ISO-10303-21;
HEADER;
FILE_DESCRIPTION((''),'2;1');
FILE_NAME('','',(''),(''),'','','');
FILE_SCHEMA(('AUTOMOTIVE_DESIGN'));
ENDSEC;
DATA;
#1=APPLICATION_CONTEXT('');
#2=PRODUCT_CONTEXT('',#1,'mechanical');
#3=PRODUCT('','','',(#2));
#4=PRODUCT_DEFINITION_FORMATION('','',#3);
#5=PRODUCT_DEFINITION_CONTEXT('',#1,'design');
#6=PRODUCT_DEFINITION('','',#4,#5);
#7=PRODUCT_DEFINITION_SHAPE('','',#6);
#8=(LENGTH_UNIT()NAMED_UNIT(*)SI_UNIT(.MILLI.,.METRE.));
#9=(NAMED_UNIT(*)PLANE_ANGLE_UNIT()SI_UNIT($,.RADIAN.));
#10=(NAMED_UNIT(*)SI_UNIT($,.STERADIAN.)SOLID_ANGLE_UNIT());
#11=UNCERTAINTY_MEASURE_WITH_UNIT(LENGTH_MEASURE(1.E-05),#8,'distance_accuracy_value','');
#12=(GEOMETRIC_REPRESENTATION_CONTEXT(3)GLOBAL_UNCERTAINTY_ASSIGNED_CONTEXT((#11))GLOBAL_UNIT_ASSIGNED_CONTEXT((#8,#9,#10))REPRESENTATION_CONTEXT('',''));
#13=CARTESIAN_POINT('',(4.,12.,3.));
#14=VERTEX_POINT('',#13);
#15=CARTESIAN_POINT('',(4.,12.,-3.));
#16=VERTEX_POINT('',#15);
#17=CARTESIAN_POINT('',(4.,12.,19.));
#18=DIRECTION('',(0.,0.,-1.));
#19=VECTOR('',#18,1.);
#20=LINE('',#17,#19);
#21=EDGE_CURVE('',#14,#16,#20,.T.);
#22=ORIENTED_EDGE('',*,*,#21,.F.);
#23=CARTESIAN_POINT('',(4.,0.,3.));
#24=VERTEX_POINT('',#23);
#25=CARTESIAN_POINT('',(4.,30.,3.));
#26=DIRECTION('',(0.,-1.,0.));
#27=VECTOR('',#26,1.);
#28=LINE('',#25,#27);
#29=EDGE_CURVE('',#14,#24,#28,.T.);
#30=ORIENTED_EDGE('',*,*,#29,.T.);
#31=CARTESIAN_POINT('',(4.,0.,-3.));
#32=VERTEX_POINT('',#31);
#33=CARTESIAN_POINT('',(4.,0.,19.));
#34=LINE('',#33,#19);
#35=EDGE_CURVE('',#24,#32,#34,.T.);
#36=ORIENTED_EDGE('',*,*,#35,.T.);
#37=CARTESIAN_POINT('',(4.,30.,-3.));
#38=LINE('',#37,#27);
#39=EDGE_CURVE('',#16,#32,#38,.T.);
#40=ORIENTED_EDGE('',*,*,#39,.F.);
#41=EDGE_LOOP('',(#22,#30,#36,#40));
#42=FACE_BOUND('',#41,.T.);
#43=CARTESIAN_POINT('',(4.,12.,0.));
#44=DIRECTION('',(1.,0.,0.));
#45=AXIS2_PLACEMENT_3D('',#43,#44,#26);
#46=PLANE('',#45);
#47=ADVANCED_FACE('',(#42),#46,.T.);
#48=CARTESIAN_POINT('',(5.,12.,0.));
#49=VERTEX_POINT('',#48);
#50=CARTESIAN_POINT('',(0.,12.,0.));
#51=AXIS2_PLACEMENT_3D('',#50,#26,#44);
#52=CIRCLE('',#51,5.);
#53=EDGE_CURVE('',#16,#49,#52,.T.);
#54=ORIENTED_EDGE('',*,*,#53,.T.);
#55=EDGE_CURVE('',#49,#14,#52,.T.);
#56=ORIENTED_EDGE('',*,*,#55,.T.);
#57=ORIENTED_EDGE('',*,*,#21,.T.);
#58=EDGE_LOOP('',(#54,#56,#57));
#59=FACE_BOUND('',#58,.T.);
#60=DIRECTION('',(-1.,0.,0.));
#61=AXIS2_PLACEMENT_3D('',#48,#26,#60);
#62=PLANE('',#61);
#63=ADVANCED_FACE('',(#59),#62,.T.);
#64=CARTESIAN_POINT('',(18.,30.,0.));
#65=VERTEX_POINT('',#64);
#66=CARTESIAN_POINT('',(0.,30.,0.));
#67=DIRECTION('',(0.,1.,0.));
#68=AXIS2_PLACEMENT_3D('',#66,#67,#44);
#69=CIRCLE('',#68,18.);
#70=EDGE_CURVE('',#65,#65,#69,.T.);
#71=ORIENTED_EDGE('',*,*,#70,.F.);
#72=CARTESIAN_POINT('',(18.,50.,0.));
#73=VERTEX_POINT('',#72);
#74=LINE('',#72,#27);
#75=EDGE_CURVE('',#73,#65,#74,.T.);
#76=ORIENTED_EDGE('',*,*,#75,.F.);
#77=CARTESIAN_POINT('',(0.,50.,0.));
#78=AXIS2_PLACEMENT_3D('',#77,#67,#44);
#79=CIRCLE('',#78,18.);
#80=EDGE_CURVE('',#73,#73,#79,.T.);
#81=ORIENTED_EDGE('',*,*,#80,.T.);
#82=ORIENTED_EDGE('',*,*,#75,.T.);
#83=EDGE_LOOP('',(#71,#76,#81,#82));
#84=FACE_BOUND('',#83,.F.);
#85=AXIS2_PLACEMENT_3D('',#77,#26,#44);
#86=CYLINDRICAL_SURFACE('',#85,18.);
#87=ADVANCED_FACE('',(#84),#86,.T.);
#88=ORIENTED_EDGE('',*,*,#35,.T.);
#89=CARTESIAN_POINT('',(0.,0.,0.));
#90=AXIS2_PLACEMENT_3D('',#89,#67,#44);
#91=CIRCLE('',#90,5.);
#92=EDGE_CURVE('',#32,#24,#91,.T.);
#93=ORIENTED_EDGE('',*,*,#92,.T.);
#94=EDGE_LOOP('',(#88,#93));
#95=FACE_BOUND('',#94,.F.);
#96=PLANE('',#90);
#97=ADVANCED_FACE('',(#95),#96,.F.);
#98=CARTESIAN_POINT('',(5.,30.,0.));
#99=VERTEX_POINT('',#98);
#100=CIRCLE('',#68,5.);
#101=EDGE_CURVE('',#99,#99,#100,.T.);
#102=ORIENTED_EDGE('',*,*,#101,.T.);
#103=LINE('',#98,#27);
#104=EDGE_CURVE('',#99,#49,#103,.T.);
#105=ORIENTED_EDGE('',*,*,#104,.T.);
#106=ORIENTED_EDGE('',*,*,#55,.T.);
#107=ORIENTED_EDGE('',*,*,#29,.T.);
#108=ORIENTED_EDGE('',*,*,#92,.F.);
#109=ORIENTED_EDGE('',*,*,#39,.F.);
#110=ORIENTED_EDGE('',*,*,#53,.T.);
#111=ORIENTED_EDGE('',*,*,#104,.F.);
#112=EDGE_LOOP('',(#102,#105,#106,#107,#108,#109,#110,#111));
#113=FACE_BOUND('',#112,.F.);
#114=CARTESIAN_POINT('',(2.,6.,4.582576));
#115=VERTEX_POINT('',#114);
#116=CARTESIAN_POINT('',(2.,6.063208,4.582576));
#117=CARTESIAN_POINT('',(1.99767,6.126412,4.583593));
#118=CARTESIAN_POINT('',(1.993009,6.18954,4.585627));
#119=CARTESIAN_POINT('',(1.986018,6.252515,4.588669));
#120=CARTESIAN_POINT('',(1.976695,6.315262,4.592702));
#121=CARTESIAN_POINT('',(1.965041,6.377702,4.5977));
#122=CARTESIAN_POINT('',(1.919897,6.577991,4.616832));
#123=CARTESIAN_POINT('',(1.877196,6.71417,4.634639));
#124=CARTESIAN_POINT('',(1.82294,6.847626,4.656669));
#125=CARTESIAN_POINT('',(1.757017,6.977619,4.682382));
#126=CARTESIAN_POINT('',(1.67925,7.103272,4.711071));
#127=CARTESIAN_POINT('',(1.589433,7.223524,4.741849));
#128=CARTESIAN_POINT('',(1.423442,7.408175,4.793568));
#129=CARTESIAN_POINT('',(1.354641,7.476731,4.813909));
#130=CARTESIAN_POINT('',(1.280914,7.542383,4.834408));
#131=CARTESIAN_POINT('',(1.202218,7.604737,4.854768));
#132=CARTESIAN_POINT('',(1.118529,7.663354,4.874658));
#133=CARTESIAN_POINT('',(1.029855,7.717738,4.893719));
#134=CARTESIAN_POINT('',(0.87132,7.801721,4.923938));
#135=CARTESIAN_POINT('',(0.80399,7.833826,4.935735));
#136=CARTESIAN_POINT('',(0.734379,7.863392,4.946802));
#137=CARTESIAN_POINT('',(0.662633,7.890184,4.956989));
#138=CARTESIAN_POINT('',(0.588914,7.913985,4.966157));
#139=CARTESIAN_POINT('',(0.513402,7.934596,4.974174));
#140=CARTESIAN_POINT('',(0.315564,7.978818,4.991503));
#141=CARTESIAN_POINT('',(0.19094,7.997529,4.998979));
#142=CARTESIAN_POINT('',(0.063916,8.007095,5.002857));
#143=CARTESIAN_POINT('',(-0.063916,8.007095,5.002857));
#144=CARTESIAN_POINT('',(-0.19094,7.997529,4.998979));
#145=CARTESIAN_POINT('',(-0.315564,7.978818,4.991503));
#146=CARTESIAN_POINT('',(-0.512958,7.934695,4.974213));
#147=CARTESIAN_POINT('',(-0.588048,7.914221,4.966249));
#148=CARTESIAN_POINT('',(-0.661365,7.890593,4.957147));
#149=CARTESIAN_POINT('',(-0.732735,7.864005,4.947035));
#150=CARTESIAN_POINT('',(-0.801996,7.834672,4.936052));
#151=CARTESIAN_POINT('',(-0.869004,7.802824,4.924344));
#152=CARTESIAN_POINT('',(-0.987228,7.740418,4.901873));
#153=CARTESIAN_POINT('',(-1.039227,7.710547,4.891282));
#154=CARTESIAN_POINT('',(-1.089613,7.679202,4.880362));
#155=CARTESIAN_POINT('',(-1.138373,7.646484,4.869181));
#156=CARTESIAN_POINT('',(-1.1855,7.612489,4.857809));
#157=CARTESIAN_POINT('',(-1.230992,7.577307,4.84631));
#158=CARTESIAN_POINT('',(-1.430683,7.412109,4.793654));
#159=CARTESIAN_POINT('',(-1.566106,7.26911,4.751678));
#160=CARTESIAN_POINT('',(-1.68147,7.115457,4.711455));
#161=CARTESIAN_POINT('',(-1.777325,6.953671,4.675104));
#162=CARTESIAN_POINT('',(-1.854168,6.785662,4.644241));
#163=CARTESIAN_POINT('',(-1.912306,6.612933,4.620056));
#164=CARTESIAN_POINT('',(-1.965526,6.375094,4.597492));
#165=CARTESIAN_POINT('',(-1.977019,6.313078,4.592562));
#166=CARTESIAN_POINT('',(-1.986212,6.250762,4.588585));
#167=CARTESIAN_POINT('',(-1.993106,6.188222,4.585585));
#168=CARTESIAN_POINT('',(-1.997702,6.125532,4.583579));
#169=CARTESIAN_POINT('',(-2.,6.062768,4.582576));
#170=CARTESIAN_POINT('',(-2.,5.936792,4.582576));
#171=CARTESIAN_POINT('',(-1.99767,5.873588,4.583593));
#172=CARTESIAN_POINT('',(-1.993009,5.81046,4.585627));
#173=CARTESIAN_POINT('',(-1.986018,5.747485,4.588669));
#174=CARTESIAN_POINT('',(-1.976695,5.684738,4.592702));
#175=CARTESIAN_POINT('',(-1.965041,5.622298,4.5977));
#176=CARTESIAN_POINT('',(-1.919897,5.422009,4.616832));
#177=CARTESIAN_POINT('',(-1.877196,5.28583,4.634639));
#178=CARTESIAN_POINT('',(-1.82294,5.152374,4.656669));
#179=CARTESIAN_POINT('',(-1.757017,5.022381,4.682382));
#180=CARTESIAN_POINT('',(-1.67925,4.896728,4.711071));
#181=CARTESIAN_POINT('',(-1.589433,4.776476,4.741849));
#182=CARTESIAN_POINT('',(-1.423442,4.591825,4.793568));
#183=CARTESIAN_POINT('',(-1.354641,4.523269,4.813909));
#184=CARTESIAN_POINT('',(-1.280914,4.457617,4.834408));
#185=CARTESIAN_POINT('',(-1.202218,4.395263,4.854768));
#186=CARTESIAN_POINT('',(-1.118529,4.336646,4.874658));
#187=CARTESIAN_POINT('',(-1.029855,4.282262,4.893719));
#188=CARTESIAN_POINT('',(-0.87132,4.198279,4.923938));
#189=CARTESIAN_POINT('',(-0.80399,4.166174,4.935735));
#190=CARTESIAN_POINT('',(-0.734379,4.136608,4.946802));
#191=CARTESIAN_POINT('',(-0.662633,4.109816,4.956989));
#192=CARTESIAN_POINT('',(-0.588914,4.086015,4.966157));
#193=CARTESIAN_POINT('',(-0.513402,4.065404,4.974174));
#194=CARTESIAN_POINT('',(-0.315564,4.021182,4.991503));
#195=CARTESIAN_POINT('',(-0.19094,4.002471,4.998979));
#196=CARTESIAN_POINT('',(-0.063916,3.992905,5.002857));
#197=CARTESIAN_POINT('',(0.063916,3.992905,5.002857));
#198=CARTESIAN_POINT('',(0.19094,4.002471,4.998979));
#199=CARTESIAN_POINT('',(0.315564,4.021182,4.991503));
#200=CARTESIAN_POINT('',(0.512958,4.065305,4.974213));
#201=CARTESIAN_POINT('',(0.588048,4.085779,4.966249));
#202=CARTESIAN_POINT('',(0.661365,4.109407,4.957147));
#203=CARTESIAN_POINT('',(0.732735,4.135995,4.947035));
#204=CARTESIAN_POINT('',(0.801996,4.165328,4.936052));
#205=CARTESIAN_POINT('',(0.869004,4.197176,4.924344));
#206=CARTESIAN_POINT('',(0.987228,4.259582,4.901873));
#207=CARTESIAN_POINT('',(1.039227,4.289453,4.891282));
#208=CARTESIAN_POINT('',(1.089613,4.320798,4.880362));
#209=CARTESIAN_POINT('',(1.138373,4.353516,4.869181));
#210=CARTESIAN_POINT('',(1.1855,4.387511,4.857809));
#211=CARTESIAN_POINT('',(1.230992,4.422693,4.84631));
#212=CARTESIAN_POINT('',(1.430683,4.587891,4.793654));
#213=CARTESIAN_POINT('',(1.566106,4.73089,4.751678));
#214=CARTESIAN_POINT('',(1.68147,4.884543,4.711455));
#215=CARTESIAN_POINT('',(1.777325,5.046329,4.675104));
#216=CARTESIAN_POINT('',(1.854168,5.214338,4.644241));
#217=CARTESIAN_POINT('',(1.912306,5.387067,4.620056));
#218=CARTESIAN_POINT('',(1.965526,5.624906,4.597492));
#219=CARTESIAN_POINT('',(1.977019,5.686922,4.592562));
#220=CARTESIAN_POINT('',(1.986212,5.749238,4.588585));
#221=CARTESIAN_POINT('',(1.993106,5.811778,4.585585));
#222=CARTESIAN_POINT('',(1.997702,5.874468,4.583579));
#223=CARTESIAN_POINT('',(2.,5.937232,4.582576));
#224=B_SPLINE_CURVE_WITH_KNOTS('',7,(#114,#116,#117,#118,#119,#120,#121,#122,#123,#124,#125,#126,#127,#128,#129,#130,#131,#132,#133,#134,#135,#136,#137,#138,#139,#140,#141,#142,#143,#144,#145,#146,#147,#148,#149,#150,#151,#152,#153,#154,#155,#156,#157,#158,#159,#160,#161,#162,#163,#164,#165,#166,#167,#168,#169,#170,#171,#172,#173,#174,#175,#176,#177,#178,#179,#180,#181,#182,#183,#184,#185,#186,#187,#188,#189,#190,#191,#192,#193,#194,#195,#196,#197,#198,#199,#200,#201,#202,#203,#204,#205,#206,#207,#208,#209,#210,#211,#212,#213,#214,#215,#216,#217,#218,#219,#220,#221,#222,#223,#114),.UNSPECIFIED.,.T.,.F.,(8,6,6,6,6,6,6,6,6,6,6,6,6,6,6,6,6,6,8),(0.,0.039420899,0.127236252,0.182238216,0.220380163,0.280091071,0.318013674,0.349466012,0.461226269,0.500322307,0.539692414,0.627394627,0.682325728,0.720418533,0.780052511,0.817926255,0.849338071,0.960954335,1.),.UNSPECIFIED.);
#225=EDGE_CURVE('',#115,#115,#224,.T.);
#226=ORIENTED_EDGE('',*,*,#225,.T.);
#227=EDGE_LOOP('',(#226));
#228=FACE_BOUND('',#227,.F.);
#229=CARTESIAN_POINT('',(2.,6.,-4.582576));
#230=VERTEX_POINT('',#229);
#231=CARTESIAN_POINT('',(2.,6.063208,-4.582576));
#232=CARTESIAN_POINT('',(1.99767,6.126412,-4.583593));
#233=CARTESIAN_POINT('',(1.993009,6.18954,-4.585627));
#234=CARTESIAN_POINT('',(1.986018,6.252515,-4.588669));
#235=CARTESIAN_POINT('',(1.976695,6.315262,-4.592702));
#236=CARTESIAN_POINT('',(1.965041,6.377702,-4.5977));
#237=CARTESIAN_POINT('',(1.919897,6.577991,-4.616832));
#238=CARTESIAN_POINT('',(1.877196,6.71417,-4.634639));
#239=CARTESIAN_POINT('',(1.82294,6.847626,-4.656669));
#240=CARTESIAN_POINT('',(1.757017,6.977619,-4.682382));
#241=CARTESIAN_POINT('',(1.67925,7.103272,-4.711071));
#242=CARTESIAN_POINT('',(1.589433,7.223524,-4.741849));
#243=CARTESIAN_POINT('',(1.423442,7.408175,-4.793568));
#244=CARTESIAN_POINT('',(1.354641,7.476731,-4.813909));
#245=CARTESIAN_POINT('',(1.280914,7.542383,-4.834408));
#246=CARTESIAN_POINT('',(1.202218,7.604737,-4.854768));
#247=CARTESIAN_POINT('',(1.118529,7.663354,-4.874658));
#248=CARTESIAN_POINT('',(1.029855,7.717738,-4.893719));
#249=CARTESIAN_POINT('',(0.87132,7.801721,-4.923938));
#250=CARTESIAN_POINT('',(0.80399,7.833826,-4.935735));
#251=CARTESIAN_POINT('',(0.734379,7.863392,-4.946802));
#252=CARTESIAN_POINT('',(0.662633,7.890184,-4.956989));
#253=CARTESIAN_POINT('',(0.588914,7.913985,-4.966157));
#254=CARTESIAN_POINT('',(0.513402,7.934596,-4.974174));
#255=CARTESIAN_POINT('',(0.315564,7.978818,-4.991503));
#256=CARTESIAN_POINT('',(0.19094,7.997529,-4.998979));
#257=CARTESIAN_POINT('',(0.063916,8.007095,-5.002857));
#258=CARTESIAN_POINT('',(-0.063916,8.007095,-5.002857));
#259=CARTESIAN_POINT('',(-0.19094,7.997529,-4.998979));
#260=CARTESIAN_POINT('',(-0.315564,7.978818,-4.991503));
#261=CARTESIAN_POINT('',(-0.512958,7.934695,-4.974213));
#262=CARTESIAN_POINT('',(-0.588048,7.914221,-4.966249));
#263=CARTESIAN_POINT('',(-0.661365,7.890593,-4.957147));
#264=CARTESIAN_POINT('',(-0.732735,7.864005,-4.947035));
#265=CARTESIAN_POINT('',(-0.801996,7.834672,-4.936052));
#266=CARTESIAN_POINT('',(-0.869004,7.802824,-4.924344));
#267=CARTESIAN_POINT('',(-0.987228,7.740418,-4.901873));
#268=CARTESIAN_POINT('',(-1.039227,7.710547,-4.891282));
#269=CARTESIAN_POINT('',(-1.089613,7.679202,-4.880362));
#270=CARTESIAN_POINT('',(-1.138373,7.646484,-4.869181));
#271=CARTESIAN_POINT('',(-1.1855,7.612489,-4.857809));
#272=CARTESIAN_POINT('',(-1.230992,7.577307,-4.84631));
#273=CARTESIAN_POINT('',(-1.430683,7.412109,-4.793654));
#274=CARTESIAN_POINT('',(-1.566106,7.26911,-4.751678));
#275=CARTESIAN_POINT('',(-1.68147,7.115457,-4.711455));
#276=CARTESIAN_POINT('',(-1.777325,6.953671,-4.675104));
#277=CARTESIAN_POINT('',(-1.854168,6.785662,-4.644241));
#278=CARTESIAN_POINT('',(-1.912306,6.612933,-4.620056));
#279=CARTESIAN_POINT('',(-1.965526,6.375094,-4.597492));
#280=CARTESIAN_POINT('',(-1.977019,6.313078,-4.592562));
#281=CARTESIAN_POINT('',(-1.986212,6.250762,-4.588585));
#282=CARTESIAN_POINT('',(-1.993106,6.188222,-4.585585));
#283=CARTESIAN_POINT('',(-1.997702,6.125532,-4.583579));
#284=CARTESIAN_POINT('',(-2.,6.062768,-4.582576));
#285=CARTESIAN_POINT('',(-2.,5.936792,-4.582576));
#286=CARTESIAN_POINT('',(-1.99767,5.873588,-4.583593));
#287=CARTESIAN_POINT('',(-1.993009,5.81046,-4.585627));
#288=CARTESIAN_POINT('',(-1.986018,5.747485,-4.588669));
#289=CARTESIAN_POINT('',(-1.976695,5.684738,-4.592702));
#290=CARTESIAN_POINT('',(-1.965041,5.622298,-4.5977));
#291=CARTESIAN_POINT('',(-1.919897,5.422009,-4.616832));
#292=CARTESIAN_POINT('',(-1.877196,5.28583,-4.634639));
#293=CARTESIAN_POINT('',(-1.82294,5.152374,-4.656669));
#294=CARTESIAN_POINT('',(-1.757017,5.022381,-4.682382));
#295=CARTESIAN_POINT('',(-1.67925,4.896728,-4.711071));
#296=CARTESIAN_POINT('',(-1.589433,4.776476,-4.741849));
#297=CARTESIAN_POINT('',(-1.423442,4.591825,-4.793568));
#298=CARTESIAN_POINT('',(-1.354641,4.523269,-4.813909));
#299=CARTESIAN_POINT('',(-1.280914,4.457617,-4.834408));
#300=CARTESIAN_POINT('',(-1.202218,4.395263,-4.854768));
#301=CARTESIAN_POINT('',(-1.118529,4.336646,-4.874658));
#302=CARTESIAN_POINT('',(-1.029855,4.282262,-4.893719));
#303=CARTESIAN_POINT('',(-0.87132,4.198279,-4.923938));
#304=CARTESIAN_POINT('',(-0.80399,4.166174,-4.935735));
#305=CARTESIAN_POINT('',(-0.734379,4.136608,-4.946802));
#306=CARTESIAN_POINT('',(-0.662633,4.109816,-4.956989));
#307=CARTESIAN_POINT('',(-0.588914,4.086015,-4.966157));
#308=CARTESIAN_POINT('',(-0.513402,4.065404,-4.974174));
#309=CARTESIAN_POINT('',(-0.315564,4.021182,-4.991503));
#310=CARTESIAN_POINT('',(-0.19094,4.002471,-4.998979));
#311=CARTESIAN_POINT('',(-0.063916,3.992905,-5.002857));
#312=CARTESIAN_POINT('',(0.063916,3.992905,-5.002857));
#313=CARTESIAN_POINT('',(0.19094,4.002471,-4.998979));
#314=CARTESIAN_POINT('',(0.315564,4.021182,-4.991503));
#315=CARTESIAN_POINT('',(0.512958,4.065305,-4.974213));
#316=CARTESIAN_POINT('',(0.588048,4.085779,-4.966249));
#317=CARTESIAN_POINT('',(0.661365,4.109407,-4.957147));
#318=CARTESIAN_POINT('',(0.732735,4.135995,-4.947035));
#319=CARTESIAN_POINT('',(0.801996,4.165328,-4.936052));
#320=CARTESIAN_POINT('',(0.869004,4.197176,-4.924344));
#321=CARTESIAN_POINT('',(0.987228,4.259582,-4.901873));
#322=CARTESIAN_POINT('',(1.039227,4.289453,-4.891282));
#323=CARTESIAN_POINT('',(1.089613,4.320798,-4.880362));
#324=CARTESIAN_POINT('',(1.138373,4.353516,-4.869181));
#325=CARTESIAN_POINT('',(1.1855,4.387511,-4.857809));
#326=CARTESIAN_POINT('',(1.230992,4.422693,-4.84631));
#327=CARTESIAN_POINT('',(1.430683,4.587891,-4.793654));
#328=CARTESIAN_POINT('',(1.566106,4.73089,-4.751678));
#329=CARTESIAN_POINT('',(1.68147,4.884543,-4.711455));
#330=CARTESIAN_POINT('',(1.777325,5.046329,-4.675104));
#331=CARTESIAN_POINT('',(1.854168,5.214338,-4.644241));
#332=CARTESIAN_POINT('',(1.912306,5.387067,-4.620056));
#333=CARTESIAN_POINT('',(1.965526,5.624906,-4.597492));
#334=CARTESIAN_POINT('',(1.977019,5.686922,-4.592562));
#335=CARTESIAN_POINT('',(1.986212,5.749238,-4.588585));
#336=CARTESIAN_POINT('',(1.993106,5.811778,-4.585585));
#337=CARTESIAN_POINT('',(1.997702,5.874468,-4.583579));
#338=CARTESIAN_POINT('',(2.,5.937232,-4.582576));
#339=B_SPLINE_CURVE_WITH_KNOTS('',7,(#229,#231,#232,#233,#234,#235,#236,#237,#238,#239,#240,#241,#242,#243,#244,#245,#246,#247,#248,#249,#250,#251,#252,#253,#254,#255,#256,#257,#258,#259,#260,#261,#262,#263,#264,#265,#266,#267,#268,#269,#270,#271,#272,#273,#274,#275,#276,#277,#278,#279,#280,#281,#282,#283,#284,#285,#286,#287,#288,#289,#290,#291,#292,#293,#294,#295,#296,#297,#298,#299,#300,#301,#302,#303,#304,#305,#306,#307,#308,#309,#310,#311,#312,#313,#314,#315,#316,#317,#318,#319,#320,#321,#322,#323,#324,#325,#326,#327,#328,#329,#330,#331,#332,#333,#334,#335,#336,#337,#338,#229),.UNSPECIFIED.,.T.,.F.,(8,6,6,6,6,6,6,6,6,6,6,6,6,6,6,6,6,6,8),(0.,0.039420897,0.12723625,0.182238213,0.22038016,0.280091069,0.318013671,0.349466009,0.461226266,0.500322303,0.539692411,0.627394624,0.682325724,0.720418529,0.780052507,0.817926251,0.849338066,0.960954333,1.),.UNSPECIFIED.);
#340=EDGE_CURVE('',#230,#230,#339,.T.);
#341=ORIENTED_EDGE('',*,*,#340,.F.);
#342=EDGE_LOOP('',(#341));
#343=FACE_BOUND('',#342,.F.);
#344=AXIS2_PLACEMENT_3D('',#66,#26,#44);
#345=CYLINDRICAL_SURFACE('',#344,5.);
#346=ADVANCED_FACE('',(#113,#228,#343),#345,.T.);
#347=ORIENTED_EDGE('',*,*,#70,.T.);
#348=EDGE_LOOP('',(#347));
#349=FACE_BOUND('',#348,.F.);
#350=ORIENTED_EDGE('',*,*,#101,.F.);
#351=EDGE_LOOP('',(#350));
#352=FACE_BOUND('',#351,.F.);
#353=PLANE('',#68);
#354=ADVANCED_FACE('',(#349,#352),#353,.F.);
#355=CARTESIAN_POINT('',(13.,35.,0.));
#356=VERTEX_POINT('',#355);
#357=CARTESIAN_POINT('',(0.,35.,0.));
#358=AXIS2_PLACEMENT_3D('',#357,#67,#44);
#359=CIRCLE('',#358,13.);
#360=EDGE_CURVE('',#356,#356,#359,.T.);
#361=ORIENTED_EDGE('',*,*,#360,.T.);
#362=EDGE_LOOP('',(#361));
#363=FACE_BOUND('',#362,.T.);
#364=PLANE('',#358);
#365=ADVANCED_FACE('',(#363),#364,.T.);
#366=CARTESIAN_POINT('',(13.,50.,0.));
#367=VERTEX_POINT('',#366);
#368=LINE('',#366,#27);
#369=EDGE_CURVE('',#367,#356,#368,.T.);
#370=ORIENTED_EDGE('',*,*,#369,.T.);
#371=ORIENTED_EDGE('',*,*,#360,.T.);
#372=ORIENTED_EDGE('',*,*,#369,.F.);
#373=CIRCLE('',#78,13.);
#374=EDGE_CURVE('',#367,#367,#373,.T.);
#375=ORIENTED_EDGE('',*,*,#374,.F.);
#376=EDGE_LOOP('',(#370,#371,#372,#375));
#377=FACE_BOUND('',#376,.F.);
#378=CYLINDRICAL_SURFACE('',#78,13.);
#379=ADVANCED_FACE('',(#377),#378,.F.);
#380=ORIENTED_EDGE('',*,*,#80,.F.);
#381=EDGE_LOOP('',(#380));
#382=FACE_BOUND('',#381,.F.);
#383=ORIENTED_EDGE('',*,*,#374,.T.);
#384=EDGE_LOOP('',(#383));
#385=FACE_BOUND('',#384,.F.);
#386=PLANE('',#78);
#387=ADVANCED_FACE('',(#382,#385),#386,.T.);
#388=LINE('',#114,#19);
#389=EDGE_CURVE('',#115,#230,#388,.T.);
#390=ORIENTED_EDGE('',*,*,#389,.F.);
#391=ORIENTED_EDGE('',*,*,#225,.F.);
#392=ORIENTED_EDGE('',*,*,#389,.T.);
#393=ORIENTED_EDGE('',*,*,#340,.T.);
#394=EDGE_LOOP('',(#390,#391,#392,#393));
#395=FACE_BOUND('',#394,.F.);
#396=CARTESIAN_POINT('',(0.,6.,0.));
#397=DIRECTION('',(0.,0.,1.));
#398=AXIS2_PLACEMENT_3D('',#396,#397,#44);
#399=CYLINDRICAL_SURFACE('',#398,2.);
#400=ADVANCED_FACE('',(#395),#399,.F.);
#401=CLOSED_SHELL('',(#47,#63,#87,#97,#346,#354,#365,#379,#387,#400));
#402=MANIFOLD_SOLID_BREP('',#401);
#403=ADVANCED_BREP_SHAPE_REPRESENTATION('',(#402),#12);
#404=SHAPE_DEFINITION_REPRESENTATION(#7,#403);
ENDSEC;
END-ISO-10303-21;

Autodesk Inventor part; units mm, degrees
ref_plane "YZ Plane" through (0, 0, 0) normal (1, 0, 0) x (0, 1, 0)
ref_plane "XZ Plane" through (0, 0, 0) normal (0, 1, 0) x (-1, 0, 0)
ref_plane "XY Plane" through (0, 0, 0) normal (0, 0, 1) x (1, 0, 0)
sketch "Sketch1" plane through (0, 0, 0) normal (0, 0, 1) x (1, 0, 0)
  line L0 (0, 0) -> (0, 50)
  line L1 (0, 50) -> (18, 50)
  line L2 (18, 50) -> (18, 30)
  line L3 (18, 30) -> (5, 30)
  line L4 (5, 30) -> (5, 0)
  line L5 (5, 0) -> (0, 0)
  dimension "d0" = 50
  dimension "d1" = 18
  dimension "d2" = 20
  dimension "d3" = 13
revolve "Revolution1" add sketch "Sketch1" angle 360 about axis through (0, 0, 0) along (0, 1, 0)
sketch "Sketch2" plane through (0, 50, 0) normal (0, 1, 0) x (1, 0, 0)
  circle A0 centre (0, 0) radius 18 projected
  circle A1 centre (0, 0) radius 13
  dimension "d5" = 5
extrude "Extrusion1" cut sketch "Sketch2" against normal blind 15 contours A1
sketch "Sketch3" plane through (0, 0, 0) normal (0, 0, 1) x (1, 0, 0)
  line L0 (5, 0) -> (-5, 0) projected
  line L1 (5, 12) -> (-5, 12)
  line L2 (5, 12) -> (4, 12)
  line L3 (4, 12) -> (4, 0)
  line L4 (4, 0) -> (5, 0)
  line L5 (5, 0) -> (5, 12)
  point P0 (0, 0)
  dimension "d8" = 12
extrude "Extrusion2" cut sketch "Sketch3" along normal through all both and the other way through all
sketch "Sketch4" plane through (0, 0, 0) normal (0, 0, 1) x (1, 0, 0)
  line L0 (4, 0) -> (-5, 0) projected
  circle A0 centre (0, 6) radius 2
  point P0 (0, 0)
  dimension "d11" = 6
  dimension "d12" = 4
extrude "Extrusion3" cut sketch "Sketch4" along normal through all both and the other way through all
properties part number "shellerAdapter" material "Stainless Steel, Austenitic"
